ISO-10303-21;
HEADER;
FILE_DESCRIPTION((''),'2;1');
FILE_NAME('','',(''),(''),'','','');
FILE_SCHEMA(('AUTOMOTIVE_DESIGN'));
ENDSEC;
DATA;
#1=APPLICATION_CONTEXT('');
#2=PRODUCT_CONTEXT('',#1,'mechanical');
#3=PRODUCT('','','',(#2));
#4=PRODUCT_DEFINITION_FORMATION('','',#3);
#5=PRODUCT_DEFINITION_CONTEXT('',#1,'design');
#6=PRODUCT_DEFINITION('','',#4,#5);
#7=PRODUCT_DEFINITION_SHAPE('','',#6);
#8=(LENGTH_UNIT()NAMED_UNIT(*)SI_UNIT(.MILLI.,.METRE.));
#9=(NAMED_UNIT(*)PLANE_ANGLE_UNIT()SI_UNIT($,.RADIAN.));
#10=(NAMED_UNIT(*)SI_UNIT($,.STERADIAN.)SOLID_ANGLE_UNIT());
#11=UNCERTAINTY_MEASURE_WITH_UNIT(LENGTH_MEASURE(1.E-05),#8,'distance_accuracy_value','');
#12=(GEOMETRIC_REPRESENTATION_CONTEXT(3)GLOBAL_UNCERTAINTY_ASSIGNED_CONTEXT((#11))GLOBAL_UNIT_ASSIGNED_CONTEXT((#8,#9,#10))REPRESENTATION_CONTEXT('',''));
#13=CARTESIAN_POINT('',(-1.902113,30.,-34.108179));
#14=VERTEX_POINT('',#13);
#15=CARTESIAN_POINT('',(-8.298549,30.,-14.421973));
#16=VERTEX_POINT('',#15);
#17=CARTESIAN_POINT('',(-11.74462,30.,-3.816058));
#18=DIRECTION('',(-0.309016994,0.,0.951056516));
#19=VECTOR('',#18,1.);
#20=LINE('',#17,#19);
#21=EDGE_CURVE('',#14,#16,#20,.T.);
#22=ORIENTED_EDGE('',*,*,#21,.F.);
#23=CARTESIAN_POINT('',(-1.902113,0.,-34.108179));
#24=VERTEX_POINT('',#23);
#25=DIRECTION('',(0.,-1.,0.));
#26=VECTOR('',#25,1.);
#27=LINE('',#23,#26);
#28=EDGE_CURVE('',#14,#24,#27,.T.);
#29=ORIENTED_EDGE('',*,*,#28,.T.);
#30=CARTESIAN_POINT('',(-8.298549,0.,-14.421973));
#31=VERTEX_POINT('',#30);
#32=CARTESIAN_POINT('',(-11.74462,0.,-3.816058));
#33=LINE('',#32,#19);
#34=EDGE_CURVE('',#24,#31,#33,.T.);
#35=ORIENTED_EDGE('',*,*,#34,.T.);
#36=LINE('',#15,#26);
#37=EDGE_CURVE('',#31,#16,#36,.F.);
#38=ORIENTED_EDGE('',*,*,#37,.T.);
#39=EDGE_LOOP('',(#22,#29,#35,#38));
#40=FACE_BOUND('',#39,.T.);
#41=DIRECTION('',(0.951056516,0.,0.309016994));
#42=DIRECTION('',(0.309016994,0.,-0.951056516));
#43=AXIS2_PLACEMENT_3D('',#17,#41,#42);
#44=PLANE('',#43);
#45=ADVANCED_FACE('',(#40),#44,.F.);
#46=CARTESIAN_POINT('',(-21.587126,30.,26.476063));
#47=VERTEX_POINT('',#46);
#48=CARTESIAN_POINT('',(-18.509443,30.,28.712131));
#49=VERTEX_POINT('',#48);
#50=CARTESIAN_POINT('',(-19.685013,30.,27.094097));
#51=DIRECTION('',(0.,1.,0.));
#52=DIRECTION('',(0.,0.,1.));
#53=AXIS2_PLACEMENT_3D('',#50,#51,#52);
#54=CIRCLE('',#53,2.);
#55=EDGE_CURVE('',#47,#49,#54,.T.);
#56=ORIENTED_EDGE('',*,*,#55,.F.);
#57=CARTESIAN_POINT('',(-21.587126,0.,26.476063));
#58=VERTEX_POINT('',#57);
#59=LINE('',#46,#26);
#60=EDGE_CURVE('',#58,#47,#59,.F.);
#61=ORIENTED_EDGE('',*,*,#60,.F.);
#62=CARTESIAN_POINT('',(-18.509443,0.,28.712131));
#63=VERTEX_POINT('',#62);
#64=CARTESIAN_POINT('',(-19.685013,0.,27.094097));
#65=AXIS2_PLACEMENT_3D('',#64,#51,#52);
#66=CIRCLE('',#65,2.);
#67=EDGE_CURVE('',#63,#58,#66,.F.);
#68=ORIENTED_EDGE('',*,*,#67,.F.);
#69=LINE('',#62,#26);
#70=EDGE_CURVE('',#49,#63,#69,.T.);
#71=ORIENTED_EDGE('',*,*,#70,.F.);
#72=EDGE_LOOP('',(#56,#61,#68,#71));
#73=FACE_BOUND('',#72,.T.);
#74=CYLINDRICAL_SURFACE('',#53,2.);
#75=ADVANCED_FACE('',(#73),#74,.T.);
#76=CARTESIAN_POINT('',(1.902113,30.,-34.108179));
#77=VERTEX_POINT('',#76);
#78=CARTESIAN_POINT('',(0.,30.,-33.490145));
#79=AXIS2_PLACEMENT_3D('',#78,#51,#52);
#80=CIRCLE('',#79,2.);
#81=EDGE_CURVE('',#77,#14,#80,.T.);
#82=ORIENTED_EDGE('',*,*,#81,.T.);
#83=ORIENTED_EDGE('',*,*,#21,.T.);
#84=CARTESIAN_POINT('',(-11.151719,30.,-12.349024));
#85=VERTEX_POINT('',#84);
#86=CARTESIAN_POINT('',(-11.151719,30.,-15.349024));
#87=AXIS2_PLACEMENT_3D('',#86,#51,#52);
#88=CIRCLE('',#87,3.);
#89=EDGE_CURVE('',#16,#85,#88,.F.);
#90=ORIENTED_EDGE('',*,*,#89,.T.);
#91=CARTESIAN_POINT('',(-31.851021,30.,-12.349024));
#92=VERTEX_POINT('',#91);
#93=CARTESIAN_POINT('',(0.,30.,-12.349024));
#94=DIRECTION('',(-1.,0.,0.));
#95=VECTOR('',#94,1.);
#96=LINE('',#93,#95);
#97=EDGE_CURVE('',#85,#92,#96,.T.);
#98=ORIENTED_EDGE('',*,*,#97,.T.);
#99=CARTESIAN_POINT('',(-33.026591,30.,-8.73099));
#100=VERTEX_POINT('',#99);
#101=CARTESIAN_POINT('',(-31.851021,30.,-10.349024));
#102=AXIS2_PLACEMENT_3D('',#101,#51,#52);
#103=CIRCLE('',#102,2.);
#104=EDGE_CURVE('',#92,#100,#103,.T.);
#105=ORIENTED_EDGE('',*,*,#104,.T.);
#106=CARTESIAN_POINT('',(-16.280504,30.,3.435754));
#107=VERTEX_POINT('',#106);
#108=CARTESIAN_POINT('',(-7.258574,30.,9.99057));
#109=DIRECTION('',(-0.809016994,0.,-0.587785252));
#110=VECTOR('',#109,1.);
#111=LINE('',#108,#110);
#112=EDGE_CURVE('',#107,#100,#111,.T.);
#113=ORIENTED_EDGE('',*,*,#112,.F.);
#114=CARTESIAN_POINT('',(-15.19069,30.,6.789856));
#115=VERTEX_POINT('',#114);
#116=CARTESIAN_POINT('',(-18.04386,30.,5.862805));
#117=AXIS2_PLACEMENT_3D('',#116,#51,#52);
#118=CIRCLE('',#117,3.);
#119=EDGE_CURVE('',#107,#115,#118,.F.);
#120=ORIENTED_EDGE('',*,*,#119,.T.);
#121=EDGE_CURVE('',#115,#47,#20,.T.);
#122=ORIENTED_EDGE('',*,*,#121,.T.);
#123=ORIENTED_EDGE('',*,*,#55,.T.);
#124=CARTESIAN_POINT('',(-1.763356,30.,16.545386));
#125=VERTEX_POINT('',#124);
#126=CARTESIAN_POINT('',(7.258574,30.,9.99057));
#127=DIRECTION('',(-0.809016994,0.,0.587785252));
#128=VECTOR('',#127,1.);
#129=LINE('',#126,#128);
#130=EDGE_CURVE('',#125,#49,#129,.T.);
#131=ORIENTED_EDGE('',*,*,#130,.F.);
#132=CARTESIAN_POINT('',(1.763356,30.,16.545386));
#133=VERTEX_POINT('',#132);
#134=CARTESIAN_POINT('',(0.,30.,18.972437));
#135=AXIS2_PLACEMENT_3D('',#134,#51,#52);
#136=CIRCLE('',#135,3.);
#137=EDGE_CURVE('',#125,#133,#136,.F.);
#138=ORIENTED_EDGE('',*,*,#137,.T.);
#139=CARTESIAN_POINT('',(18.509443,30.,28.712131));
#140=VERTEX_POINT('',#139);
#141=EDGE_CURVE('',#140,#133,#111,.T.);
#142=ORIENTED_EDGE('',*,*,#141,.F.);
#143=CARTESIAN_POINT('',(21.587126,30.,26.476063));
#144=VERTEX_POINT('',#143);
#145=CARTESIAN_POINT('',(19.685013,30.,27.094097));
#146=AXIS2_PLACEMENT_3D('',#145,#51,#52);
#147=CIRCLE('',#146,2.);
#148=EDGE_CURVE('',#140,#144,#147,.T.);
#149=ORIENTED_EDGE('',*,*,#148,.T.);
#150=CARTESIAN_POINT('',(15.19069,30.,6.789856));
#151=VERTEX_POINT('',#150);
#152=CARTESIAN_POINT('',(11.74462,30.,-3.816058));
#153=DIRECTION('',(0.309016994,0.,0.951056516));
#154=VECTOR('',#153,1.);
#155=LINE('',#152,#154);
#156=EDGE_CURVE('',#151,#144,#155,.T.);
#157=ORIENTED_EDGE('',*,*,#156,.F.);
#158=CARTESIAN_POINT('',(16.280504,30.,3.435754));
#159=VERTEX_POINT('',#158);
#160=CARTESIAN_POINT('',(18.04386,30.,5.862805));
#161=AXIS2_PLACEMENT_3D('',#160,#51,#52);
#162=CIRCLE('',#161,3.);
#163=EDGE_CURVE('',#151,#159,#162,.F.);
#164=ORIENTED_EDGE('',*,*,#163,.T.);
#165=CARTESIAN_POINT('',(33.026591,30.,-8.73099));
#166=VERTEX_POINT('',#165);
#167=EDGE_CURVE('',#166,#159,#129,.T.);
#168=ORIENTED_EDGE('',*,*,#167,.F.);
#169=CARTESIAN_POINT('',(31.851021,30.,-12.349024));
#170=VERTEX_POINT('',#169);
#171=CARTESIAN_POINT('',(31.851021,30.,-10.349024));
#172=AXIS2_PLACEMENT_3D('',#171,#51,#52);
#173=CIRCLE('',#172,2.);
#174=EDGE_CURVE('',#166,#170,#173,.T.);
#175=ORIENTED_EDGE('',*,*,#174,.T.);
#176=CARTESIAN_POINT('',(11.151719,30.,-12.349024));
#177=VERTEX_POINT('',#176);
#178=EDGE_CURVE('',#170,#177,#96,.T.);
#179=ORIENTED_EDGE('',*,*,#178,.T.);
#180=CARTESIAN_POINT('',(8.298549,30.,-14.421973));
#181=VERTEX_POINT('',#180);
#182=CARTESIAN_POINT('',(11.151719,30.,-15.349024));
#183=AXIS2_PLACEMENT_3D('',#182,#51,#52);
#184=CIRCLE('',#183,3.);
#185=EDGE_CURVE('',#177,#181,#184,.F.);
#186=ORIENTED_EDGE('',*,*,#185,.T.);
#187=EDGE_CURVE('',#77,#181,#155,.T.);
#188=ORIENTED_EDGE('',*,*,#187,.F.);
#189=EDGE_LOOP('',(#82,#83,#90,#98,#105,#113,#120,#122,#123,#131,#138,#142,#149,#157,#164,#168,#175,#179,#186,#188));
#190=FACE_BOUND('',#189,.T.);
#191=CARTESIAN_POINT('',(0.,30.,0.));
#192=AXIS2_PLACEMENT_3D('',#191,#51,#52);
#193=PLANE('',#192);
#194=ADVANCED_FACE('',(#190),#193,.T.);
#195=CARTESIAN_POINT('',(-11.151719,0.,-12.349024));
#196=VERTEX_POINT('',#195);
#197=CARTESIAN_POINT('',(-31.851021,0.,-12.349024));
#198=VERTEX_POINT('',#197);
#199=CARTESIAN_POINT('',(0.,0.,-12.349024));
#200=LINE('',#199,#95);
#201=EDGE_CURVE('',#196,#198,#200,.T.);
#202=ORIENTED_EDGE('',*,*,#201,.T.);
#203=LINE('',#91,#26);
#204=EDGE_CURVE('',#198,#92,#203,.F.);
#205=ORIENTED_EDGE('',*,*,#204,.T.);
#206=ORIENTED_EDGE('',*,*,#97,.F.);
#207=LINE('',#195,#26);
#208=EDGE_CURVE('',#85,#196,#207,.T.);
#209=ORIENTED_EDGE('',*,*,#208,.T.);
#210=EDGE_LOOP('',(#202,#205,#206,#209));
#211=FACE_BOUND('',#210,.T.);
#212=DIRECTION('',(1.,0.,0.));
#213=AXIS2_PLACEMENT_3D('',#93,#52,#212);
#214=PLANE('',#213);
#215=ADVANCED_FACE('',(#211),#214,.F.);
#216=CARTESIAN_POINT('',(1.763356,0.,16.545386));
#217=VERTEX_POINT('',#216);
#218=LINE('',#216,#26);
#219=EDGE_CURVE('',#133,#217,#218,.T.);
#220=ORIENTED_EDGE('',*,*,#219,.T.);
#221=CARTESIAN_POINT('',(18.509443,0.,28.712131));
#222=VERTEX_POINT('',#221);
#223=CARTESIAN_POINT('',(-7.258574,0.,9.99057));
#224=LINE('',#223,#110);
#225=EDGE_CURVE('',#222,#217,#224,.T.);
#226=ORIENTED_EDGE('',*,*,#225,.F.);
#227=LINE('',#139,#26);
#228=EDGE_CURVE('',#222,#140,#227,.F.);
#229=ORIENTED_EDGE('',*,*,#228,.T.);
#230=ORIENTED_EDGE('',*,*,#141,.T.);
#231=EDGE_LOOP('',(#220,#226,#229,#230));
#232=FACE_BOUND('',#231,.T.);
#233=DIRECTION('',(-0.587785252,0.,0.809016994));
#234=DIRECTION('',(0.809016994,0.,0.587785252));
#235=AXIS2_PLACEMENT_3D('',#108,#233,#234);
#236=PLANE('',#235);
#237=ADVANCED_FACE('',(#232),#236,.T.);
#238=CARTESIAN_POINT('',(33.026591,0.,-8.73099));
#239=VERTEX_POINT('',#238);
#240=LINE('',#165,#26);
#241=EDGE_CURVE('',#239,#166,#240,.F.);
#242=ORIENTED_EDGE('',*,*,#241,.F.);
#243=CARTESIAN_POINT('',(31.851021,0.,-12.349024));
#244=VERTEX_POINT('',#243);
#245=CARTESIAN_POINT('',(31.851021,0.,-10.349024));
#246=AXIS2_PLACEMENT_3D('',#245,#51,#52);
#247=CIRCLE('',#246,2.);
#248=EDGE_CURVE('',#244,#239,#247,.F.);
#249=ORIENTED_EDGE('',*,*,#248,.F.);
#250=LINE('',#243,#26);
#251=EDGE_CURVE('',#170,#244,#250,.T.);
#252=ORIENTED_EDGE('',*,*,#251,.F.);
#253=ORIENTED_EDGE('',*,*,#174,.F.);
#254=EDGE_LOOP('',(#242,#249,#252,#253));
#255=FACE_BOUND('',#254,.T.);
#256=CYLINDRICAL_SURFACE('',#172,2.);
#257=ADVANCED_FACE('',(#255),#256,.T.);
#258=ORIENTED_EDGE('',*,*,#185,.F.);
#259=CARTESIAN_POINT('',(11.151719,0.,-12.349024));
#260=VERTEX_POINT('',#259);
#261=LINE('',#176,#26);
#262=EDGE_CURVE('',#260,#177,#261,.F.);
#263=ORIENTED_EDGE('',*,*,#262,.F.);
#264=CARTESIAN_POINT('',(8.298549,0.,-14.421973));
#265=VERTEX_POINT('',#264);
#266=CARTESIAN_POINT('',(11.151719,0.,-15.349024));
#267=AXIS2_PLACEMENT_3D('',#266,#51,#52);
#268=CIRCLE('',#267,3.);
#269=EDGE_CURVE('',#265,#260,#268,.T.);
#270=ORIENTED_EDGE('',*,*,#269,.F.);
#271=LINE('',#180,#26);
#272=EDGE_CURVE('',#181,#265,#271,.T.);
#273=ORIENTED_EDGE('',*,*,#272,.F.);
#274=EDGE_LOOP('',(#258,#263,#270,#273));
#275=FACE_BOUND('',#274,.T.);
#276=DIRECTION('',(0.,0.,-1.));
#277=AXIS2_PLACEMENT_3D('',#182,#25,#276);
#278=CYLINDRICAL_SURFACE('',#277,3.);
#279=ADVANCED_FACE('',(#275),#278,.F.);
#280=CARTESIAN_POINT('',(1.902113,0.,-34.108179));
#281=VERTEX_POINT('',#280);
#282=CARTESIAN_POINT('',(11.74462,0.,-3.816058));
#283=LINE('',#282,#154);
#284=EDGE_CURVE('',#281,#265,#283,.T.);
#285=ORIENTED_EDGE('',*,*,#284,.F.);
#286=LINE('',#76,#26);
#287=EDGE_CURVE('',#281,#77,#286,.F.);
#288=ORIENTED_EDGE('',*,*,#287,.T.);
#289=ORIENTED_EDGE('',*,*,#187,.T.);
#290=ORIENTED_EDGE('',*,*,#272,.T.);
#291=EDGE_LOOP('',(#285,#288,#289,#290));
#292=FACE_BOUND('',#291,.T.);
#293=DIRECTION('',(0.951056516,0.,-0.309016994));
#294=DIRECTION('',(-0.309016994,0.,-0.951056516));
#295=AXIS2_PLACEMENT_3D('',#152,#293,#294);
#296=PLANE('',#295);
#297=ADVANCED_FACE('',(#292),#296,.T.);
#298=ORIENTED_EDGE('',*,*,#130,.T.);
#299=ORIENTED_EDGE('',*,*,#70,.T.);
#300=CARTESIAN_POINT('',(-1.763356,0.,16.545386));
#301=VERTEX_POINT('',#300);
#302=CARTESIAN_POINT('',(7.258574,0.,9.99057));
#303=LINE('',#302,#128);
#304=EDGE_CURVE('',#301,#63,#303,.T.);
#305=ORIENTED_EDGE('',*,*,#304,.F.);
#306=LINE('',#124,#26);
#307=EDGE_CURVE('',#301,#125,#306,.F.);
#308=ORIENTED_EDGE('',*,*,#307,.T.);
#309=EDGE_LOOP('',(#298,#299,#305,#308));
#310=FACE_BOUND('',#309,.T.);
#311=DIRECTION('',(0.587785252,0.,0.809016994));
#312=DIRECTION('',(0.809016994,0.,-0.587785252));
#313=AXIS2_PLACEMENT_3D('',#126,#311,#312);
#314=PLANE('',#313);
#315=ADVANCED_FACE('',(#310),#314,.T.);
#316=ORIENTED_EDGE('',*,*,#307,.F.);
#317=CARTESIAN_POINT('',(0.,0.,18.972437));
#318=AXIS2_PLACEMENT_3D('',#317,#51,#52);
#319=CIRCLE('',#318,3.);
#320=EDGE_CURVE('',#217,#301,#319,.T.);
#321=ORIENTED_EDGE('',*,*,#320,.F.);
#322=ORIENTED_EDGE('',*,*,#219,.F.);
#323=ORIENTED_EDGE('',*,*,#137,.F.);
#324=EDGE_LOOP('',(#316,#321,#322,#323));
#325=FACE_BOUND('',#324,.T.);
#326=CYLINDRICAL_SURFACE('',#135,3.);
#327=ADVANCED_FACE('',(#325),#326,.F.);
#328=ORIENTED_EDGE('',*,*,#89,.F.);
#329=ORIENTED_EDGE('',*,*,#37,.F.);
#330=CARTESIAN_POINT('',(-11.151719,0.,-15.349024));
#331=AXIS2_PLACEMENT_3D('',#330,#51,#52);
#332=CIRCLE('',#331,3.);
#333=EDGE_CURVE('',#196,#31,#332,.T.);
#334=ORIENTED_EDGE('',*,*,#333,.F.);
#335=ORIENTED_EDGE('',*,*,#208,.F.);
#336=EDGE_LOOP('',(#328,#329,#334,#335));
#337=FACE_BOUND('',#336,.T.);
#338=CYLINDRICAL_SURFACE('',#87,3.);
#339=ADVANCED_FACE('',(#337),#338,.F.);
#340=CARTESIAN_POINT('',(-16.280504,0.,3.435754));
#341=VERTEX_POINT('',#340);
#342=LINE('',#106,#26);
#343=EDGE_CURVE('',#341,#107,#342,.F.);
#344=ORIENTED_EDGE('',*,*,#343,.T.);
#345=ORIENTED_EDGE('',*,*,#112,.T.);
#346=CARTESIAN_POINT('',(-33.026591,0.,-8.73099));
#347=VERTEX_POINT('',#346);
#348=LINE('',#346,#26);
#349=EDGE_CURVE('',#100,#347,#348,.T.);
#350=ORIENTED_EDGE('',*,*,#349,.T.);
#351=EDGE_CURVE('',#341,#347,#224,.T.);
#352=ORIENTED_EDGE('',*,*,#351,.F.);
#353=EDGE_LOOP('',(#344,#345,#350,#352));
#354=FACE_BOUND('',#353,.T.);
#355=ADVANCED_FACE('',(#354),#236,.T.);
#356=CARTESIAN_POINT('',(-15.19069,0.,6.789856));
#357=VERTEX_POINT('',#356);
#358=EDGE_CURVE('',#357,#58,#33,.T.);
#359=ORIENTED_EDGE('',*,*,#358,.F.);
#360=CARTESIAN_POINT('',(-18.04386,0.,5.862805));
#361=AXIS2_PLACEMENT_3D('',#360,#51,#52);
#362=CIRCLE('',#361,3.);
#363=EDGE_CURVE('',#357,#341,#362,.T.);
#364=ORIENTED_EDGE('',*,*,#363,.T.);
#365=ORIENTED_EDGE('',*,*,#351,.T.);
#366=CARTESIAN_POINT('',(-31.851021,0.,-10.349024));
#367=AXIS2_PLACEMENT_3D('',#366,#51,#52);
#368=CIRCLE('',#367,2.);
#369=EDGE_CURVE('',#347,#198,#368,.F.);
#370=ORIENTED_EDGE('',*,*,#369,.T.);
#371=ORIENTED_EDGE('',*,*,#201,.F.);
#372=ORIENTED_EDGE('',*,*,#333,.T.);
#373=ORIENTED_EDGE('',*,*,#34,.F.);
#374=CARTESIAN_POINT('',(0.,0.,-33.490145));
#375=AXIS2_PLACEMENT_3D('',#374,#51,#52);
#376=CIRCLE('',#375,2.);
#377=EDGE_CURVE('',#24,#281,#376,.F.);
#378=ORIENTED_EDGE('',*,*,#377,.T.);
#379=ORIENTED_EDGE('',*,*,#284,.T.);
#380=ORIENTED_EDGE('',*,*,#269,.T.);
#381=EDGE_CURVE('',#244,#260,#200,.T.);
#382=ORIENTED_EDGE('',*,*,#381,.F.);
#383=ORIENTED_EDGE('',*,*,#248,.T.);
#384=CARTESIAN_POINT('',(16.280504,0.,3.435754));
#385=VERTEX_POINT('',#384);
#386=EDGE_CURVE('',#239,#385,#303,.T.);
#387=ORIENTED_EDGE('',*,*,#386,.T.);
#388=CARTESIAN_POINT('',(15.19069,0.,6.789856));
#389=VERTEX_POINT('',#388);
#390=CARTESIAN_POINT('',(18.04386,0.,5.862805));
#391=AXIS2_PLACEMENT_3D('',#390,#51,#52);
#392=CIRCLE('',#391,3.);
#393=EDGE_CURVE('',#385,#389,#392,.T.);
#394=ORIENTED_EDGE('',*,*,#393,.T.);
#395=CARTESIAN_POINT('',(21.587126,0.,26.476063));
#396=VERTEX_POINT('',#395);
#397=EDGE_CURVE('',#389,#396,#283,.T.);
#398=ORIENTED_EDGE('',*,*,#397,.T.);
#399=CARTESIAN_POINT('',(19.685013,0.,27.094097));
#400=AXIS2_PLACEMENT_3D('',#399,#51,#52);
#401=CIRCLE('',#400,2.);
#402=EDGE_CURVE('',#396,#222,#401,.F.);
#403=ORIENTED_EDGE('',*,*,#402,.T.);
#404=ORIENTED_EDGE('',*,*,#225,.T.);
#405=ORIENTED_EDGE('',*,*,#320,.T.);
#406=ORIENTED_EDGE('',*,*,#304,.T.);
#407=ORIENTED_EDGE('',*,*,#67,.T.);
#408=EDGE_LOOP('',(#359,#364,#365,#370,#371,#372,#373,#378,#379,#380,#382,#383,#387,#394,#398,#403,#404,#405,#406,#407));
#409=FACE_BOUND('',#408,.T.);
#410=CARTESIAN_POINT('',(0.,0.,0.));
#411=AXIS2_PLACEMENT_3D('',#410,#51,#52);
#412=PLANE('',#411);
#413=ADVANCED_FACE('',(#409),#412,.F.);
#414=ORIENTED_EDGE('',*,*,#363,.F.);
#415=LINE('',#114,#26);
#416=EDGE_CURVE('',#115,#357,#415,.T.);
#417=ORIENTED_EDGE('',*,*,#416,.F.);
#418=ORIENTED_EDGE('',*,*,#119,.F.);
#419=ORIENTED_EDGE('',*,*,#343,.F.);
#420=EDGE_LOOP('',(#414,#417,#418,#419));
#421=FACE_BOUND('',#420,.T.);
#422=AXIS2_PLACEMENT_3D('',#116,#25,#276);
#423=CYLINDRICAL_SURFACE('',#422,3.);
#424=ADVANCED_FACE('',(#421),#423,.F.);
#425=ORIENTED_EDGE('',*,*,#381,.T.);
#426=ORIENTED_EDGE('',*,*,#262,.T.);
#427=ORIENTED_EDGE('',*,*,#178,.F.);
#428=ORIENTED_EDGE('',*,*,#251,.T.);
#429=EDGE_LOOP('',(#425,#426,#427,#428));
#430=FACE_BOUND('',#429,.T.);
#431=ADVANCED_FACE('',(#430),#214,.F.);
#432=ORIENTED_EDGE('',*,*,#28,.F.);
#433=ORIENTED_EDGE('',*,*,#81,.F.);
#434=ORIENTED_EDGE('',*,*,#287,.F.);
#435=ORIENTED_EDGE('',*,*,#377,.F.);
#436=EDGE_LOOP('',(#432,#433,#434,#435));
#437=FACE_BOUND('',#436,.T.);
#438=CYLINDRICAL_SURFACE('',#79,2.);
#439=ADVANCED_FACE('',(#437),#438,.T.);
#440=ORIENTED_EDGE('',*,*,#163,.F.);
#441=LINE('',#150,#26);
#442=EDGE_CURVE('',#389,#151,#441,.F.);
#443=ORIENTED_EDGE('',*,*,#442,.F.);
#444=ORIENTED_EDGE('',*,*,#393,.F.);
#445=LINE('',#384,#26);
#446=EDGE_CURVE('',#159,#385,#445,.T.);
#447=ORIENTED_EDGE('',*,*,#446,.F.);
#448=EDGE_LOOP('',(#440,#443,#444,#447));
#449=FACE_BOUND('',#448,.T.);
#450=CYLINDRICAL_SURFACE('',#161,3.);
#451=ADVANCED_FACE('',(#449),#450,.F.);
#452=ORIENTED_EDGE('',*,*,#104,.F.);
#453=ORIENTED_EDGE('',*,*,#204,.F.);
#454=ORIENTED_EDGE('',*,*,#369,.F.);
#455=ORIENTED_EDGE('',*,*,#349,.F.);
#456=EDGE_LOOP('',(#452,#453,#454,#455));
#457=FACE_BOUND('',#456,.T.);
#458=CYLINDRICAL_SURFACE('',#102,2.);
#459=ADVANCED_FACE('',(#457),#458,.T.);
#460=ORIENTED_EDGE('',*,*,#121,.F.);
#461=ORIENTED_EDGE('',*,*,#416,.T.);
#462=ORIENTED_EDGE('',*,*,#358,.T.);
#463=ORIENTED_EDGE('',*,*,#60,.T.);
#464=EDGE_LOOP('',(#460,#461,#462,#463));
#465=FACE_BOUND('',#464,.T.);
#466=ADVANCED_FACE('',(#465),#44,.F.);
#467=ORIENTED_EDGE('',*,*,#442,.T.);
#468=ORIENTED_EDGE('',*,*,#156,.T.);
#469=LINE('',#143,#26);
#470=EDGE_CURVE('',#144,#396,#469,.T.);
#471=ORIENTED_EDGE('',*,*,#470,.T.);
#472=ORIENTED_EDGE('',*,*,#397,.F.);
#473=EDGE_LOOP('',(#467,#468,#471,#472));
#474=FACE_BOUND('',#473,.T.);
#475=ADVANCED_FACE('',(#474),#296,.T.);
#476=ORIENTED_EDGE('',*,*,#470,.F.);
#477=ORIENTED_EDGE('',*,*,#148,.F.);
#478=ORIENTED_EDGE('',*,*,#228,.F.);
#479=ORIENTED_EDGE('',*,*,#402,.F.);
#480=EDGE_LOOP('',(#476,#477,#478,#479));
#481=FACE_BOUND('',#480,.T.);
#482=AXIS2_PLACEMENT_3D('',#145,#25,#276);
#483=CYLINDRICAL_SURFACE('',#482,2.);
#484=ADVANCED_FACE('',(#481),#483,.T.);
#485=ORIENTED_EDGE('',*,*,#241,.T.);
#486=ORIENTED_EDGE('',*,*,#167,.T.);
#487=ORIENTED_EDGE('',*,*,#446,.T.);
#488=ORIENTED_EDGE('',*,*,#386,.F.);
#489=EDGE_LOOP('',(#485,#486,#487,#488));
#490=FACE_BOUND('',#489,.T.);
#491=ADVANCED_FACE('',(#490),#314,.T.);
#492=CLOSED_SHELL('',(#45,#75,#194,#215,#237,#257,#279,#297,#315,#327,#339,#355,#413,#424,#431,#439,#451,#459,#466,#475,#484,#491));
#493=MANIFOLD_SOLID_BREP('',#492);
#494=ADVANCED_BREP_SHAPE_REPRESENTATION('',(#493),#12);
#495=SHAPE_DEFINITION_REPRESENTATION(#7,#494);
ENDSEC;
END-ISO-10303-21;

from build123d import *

# Parameters (mm, degrees)
BOSS_EXTRUDE1_DEPTH = 30
FILLET1_R           = 2
FILLET2_R           = 3


with BuildPart() as part:
    # Sketch2 → Boss-Extrude1 (new body)
    with BuildSketch(Plane(origin=(0, 0, 0), x_dir=(1, 0, 0), z_dir=(0, 1, 0))):
        Polygon((0, 39.962281052), (-8.9720911, 12.349023979), (-38.0063878, 12.349023979), (-14.51714835, -4.716907432), (-23.48923945, -32.330164505), (0, -15.264233094), (23.48923945, -32.330164505), (14.51714835, -4.716907432), (38.0063878, 12.349023979), (8.9720911, 12.349023979), align=None)
    extrude(amount=BOSS_EXTRUDE1_DEPTH)

    # Fillet1
    fillet1_edges = [part.edges().sort_by_distance(p)[0] for p in [
        (23.48923945, 15, 32.330164505),
        (-23.48923945, 15, 32.330164505),
        (-38.0063878, 15, -12.349023979),
        (0, 15, -39.962281052),
        (38.0063878, 15, -12.349023979),
    ]]
    fillet(fillet1_edges, radius=FILLET1_R)

    # Fillet2
    fillet2_edges = [part.edges().sort_by_distance(p)[0] for p in [
        (14.51714835, 15, 4.716907432),
        (0, 15, 15.264233094),
        (-14.51714835, 15, 4.716907432),
        (-8.9720911, 15, -12.349023979),
        (8.9720911, 15, -12.349023979),
    ]]
    fillet(fillet2_edges, radius=FILLET2_R)


solid = part.part
